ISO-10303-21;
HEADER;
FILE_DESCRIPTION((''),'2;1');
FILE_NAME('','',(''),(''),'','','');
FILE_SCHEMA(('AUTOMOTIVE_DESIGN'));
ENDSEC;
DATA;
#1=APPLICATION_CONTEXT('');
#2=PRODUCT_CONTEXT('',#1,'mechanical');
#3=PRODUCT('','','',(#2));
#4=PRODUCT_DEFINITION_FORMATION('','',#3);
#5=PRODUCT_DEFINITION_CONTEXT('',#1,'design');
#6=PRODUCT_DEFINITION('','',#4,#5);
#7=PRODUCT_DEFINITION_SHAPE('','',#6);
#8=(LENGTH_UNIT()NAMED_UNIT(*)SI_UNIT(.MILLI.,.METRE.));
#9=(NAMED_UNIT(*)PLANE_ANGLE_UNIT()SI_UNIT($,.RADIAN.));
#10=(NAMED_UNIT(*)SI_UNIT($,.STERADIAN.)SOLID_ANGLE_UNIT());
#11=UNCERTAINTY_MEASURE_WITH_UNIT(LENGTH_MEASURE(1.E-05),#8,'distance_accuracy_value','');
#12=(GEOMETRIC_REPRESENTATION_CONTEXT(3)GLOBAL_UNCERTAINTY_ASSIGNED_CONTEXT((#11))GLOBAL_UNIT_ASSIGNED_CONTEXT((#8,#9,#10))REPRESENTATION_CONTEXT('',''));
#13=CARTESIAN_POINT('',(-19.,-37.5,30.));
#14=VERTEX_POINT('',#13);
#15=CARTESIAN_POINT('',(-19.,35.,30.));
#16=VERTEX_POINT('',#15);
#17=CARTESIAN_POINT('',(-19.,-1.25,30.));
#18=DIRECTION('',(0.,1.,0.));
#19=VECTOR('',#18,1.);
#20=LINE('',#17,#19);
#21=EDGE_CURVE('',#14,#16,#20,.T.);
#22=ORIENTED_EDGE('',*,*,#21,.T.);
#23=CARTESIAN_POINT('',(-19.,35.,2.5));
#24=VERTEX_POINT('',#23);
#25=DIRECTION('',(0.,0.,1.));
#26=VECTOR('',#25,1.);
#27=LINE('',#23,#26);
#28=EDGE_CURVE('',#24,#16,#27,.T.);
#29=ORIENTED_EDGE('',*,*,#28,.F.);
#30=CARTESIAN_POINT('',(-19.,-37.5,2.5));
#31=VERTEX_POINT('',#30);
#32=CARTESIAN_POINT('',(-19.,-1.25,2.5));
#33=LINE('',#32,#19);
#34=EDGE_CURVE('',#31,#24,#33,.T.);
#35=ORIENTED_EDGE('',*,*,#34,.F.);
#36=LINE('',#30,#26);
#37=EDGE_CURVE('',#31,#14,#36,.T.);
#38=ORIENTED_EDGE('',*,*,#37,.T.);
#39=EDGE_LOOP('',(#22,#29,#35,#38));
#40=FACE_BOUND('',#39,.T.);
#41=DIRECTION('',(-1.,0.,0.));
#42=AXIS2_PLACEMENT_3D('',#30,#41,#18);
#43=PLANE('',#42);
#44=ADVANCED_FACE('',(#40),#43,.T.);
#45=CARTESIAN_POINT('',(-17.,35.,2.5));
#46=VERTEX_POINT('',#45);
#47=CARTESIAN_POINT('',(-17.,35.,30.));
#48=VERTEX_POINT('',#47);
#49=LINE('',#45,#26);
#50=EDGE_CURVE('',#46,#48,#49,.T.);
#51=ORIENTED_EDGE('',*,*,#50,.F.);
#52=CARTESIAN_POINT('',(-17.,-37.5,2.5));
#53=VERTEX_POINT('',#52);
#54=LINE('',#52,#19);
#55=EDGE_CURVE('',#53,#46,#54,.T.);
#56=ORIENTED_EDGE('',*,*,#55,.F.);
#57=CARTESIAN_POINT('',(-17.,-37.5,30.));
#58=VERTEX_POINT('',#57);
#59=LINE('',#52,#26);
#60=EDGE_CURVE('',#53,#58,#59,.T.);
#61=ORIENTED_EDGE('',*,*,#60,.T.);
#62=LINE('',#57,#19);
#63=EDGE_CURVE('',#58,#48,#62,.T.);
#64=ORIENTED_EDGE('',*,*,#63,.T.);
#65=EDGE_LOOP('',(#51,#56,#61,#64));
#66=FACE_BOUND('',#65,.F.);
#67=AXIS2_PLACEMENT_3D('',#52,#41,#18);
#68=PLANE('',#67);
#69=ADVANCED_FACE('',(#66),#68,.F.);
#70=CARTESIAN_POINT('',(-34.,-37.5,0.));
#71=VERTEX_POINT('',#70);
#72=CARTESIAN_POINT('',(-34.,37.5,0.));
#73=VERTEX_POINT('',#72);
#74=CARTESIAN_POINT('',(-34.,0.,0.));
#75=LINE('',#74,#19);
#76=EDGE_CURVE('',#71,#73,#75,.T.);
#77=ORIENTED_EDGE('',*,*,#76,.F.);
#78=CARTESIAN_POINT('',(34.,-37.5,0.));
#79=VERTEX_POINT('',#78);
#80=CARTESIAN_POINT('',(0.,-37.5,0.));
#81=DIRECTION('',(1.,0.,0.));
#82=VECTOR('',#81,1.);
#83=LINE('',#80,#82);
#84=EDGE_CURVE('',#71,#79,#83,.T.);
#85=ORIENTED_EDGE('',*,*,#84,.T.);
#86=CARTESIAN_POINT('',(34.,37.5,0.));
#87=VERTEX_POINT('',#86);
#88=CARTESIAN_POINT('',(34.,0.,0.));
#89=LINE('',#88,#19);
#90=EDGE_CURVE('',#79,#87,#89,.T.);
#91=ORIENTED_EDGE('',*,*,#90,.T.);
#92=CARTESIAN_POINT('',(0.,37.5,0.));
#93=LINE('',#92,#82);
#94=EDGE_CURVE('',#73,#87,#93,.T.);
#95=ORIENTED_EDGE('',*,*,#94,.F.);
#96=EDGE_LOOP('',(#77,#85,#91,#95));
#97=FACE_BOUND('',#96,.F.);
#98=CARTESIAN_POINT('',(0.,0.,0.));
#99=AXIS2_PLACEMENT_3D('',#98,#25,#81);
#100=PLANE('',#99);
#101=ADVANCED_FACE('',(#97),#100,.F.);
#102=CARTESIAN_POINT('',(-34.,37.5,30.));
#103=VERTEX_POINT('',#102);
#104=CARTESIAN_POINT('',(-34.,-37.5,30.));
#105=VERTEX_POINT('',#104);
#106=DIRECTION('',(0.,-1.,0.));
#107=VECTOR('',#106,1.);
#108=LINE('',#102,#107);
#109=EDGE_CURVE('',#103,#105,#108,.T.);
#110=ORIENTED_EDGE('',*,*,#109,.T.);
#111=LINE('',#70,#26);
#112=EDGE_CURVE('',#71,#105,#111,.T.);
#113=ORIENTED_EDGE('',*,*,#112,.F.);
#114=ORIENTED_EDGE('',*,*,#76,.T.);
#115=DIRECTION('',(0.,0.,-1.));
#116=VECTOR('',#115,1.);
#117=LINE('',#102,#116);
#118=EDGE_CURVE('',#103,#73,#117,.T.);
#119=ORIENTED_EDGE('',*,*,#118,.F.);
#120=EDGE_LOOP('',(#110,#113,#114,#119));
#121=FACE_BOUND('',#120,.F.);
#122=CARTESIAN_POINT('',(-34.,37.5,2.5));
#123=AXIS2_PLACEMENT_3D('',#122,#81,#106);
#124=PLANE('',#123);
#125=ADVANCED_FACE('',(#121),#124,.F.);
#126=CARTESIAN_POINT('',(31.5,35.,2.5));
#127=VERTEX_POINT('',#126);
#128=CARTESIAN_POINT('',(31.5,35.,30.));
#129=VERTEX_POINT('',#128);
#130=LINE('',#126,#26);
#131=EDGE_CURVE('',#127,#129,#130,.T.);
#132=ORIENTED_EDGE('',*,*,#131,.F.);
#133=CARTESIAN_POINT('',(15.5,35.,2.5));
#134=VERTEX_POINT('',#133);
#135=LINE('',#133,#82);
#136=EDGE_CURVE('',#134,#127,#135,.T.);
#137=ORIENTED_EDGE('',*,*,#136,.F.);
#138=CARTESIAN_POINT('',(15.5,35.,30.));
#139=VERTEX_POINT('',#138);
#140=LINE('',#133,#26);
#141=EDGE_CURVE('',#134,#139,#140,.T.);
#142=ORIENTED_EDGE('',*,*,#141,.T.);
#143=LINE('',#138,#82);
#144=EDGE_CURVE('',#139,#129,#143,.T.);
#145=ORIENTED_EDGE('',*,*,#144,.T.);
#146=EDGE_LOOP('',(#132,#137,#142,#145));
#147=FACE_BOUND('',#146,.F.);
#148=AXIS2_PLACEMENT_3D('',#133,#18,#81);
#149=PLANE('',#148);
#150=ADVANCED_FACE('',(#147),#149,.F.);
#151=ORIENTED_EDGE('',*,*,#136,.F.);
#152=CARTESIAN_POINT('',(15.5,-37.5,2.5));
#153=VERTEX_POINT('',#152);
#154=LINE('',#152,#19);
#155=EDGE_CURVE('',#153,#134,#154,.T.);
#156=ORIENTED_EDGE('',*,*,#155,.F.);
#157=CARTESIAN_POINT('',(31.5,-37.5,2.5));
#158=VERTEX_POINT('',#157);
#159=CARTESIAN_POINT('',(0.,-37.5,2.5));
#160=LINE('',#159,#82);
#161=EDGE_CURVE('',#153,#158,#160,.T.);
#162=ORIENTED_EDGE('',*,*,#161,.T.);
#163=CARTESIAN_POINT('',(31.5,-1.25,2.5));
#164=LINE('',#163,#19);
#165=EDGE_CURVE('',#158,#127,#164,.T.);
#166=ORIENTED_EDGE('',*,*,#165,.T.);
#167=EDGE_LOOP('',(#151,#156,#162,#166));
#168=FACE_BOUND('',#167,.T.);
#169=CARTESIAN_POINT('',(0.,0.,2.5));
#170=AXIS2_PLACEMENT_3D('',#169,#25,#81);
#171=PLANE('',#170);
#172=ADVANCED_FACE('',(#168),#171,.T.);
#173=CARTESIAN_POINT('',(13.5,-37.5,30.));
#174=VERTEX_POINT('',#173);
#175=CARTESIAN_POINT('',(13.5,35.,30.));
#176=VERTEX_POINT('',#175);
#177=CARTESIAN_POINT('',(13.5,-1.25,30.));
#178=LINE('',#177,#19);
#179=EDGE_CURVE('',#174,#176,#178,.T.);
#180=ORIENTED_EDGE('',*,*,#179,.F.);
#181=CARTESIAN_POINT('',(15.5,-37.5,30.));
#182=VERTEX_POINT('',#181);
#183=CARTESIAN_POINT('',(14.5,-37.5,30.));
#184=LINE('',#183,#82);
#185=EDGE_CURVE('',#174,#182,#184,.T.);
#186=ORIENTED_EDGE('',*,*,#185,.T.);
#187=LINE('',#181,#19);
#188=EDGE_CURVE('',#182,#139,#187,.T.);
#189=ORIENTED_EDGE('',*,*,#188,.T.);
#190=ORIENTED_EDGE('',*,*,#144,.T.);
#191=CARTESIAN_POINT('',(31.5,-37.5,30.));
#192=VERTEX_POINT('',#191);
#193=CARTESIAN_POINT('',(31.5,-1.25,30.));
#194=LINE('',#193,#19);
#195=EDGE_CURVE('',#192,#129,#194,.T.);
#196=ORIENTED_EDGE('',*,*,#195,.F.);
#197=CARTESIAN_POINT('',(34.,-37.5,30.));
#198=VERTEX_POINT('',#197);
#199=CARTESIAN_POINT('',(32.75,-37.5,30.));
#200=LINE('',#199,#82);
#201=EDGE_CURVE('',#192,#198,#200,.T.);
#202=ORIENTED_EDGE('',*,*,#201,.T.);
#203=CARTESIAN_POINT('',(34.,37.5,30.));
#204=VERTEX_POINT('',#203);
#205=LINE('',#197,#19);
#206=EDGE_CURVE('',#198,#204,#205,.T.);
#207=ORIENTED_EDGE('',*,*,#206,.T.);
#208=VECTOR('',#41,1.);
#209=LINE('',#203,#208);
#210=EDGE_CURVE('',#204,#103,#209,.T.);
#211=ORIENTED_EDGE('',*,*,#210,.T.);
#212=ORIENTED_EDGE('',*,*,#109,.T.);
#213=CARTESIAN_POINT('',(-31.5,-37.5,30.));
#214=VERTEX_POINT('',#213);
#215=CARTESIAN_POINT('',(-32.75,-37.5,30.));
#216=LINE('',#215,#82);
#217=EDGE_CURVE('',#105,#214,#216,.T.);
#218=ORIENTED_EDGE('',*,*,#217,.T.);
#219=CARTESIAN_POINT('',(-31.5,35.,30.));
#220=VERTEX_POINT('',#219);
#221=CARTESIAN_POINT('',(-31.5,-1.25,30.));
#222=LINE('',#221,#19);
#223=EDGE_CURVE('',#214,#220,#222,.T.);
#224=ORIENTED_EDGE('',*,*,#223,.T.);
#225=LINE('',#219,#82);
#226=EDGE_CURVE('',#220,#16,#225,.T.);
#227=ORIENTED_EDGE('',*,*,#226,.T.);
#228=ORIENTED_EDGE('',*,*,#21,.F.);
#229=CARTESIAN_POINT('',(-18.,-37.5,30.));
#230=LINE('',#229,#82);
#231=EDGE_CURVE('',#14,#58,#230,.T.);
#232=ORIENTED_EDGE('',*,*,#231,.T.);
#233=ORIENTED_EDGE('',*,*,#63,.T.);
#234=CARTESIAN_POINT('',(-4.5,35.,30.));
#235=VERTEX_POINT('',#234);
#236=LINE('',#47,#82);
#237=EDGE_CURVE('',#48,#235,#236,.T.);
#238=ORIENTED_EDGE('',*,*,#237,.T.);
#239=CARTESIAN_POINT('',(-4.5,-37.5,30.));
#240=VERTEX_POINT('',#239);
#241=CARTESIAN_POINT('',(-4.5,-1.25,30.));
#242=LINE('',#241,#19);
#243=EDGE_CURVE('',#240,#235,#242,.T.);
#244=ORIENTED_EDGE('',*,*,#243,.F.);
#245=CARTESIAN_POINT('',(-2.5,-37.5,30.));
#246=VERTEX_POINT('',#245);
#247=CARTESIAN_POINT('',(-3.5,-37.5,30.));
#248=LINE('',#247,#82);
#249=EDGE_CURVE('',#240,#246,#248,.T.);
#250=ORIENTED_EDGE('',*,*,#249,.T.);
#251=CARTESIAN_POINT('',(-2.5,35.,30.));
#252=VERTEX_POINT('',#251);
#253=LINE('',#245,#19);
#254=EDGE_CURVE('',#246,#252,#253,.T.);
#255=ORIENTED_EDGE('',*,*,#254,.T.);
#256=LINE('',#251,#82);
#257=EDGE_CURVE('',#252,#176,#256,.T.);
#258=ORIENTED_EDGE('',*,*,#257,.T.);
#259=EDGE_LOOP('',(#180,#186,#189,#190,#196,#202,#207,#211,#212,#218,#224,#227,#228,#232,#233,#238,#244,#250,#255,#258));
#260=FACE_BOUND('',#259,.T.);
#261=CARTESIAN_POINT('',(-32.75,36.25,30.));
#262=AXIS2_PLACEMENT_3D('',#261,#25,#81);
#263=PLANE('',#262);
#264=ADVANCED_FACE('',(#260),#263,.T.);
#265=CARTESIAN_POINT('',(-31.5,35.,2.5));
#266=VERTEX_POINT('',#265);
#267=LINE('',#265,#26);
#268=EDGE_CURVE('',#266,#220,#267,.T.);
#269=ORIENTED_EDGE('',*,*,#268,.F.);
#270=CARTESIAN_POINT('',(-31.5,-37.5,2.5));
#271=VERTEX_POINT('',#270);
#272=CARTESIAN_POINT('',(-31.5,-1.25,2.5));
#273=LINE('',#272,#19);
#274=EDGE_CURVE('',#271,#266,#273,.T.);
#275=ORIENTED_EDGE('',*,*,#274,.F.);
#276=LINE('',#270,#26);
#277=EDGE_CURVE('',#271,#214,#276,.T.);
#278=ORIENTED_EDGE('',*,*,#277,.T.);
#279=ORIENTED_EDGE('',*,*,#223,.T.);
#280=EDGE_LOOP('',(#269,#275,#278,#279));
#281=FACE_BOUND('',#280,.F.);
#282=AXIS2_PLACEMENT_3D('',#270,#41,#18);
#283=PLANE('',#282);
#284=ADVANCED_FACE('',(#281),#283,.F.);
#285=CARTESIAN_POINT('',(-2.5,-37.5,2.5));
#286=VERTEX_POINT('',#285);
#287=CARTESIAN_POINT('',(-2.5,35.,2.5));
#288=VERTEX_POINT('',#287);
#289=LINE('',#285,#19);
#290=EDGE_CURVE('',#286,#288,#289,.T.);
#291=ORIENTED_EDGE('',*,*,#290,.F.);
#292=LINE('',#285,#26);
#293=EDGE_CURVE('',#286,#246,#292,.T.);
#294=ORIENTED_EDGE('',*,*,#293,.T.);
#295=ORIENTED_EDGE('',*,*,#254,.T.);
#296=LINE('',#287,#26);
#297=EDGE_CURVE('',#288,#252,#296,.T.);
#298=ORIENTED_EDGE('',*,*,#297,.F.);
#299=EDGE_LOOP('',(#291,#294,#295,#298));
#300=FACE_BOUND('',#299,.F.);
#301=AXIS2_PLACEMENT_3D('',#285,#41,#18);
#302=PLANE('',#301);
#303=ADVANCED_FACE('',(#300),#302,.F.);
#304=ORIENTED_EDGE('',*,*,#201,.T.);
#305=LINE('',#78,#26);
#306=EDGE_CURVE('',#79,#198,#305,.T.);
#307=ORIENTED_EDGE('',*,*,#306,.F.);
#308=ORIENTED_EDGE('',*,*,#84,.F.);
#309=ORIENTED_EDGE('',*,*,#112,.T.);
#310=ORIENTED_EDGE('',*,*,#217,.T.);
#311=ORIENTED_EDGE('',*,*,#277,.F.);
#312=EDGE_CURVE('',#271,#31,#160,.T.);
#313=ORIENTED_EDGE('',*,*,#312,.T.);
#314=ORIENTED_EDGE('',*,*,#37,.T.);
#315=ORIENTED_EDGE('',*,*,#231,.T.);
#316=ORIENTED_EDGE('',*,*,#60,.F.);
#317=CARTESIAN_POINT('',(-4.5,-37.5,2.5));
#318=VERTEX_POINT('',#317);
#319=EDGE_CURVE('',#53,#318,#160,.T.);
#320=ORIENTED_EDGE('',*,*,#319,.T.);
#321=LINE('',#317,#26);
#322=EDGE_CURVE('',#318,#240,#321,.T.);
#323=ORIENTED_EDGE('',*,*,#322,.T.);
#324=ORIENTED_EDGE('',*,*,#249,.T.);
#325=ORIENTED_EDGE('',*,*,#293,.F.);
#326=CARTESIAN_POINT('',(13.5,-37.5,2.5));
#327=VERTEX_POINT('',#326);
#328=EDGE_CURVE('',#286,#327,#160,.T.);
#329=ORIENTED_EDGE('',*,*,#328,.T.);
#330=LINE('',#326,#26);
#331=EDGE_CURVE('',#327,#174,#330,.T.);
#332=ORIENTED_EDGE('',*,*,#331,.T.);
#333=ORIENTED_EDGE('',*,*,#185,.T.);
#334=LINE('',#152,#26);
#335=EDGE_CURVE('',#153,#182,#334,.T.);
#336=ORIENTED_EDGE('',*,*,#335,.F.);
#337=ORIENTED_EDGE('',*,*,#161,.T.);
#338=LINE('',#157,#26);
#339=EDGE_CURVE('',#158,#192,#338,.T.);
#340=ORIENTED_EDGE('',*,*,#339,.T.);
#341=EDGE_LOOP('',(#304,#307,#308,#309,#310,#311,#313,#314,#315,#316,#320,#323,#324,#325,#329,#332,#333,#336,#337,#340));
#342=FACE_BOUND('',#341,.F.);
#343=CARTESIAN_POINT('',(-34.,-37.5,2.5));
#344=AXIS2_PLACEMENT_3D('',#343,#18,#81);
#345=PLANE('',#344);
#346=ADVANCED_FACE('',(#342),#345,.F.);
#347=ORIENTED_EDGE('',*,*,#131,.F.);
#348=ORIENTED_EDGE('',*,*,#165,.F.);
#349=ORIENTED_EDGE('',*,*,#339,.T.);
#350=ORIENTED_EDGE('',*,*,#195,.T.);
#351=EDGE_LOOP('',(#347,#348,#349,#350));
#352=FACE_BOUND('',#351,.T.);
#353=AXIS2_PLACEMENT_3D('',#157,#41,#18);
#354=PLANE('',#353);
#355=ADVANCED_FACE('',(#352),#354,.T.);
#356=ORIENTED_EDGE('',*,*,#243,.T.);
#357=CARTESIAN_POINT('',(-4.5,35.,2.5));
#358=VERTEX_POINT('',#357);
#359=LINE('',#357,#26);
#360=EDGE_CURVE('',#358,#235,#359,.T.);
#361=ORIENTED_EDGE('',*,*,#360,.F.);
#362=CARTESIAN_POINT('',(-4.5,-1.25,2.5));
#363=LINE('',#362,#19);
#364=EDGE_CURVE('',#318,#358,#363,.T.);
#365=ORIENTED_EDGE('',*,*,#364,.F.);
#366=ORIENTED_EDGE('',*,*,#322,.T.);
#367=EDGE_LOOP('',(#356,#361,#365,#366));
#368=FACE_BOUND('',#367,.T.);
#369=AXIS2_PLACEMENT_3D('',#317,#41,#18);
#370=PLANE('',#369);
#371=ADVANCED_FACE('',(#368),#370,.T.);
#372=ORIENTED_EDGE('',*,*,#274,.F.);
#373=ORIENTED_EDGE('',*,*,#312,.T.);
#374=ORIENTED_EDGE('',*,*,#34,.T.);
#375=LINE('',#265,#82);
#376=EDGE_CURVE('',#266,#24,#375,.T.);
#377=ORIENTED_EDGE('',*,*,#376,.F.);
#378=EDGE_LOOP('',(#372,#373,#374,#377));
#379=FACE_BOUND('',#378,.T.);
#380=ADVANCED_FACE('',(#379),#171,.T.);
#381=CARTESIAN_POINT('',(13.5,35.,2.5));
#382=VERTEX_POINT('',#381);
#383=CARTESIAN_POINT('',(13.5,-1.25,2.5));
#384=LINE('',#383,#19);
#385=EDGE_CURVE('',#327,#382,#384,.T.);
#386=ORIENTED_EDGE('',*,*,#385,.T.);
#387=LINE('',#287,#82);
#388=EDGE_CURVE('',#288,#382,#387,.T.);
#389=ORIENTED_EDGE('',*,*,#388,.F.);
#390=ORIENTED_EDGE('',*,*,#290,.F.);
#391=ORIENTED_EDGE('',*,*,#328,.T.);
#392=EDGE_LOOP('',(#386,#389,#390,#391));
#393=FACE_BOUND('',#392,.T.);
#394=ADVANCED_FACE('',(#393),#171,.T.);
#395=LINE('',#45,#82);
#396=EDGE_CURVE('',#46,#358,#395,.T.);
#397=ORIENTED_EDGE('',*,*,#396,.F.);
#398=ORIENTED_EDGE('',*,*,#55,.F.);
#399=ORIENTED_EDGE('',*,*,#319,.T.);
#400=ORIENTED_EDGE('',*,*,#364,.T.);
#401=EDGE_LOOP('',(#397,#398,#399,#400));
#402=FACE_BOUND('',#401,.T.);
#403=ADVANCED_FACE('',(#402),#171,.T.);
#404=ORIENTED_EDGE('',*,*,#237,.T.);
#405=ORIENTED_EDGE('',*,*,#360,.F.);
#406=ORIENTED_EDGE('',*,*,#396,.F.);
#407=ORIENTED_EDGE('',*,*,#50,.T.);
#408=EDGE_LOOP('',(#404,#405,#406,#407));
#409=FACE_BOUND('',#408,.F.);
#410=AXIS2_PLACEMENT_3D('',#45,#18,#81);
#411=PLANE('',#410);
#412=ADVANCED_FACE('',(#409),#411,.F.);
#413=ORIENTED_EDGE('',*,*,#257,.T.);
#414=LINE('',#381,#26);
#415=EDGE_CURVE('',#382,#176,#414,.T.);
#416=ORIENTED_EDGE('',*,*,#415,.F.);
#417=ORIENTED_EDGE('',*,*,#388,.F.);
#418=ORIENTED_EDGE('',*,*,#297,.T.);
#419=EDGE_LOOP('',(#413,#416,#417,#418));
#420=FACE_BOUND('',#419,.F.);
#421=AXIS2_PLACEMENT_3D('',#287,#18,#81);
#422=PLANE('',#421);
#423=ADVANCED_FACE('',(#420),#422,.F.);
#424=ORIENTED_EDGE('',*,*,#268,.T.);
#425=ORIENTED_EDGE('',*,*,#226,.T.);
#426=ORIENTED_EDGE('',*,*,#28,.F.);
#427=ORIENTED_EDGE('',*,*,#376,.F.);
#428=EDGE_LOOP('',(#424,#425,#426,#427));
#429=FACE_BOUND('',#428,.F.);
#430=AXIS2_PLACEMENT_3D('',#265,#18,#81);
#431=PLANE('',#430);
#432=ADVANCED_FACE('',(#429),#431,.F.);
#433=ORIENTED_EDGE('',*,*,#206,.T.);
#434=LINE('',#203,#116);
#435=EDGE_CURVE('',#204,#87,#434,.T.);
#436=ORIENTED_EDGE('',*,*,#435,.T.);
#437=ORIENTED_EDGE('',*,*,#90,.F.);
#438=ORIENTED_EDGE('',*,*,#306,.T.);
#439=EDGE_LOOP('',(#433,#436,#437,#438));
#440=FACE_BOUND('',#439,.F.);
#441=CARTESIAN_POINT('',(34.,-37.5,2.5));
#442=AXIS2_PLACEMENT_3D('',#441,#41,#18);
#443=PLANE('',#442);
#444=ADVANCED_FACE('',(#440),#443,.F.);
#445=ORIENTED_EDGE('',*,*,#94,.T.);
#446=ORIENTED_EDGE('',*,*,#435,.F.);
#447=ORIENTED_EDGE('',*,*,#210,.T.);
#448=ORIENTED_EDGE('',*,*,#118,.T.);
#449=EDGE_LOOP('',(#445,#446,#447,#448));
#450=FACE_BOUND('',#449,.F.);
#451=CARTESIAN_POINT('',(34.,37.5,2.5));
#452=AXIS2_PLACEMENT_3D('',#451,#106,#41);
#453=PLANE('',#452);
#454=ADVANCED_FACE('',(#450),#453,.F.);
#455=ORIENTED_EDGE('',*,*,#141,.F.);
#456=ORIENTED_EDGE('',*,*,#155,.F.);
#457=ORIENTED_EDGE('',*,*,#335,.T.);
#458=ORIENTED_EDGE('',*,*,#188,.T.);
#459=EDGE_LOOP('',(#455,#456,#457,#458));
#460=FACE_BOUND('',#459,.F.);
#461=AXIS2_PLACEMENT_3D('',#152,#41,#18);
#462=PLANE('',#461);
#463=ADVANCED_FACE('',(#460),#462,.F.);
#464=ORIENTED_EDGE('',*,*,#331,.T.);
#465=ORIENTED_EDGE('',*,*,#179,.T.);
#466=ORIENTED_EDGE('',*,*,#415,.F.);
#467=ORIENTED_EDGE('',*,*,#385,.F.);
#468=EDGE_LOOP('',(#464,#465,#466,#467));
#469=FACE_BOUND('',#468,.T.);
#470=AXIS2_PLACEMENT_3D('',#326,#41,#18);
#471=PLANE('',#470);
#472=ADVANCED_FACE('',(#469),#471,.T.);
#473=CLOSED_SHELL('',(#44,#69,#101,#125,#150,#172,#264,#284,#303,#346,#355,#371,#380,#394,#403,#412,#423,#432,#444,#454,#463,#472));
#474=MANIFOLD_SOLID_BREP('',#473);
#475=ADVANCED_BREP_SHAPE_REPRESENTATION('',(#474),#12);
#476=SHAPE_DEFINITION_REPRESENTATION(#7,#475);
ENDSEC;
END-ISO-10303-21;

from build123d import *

# Parameters (mm, degrees)
F0_W     = 68
F0_H     = 75
F1_DEPTH = 2.5
F2_W     = 2.5
F2_H     = 2.5
F2_W_2   = 12.5
F2_H_2   = 72.5
F2_W_3   = 2
F2_W_4   = 16
F3_DEPTH = 27.5


with BuildPart() as f1:
    # F0 (on Top) → F1 (new body)
    with BuildSketch(Plane.XY):
        Rectangle(F0_W, F0_H)
    extrude(amount=F1_DEPTH)

    # F2 (on face) → F3 (join)
    with BuildSketch(Plane.XY.offset(2.5)):
        with Locations((-32.75, 36.25)):
            Rectangle(F2_W, F2_H)
        with Locations((-25.25, 36.25)):
            Rectangle(F2_W_2, F2_H)
        with Locations((-32.75, -1.25)):
            Rectangle(F2_W, F2_H_2)
        with Locations((-18, 36.25)):
            Rectangle(F2_W_3, F2_H)
        with Locations((-18, -1.25)):
            Rectangle(F2_W_3, F2_H_2)
        with Locations((-10.75, 36.25)):
            Rectangle(F2_W_2, F2_H)
        with Locations((-3.5, 36.25)):
            Rectangle(F2_W_3, F2_H)
        with Locations((-3.5, -1.25)):
            Rectangle(F2_W_3, F2_H_2)
        with Locations((5.5, 36.25)):
            Rectangle(F2_W_4, F2_H)
        with Locations((14.5, 36.25)):
            Rectangle(F2_W_3, F2_H)
        with Locations((14.5, -1.25)):
            Rectangle(F2_W_3, F2_H_2)
        with Locations((23.5, 36.25)):
            Rectangle(F2_W_4, F2_H)
        with Locations((32.75, 36.25)):
            Rectangle(F2_W, F2_H)
        with Locations((32.75, -1.25)):
            Rectangle(F2_W, F2_H_2)
    extrude(amount=F3_DEPTH)


solid = f1.part
